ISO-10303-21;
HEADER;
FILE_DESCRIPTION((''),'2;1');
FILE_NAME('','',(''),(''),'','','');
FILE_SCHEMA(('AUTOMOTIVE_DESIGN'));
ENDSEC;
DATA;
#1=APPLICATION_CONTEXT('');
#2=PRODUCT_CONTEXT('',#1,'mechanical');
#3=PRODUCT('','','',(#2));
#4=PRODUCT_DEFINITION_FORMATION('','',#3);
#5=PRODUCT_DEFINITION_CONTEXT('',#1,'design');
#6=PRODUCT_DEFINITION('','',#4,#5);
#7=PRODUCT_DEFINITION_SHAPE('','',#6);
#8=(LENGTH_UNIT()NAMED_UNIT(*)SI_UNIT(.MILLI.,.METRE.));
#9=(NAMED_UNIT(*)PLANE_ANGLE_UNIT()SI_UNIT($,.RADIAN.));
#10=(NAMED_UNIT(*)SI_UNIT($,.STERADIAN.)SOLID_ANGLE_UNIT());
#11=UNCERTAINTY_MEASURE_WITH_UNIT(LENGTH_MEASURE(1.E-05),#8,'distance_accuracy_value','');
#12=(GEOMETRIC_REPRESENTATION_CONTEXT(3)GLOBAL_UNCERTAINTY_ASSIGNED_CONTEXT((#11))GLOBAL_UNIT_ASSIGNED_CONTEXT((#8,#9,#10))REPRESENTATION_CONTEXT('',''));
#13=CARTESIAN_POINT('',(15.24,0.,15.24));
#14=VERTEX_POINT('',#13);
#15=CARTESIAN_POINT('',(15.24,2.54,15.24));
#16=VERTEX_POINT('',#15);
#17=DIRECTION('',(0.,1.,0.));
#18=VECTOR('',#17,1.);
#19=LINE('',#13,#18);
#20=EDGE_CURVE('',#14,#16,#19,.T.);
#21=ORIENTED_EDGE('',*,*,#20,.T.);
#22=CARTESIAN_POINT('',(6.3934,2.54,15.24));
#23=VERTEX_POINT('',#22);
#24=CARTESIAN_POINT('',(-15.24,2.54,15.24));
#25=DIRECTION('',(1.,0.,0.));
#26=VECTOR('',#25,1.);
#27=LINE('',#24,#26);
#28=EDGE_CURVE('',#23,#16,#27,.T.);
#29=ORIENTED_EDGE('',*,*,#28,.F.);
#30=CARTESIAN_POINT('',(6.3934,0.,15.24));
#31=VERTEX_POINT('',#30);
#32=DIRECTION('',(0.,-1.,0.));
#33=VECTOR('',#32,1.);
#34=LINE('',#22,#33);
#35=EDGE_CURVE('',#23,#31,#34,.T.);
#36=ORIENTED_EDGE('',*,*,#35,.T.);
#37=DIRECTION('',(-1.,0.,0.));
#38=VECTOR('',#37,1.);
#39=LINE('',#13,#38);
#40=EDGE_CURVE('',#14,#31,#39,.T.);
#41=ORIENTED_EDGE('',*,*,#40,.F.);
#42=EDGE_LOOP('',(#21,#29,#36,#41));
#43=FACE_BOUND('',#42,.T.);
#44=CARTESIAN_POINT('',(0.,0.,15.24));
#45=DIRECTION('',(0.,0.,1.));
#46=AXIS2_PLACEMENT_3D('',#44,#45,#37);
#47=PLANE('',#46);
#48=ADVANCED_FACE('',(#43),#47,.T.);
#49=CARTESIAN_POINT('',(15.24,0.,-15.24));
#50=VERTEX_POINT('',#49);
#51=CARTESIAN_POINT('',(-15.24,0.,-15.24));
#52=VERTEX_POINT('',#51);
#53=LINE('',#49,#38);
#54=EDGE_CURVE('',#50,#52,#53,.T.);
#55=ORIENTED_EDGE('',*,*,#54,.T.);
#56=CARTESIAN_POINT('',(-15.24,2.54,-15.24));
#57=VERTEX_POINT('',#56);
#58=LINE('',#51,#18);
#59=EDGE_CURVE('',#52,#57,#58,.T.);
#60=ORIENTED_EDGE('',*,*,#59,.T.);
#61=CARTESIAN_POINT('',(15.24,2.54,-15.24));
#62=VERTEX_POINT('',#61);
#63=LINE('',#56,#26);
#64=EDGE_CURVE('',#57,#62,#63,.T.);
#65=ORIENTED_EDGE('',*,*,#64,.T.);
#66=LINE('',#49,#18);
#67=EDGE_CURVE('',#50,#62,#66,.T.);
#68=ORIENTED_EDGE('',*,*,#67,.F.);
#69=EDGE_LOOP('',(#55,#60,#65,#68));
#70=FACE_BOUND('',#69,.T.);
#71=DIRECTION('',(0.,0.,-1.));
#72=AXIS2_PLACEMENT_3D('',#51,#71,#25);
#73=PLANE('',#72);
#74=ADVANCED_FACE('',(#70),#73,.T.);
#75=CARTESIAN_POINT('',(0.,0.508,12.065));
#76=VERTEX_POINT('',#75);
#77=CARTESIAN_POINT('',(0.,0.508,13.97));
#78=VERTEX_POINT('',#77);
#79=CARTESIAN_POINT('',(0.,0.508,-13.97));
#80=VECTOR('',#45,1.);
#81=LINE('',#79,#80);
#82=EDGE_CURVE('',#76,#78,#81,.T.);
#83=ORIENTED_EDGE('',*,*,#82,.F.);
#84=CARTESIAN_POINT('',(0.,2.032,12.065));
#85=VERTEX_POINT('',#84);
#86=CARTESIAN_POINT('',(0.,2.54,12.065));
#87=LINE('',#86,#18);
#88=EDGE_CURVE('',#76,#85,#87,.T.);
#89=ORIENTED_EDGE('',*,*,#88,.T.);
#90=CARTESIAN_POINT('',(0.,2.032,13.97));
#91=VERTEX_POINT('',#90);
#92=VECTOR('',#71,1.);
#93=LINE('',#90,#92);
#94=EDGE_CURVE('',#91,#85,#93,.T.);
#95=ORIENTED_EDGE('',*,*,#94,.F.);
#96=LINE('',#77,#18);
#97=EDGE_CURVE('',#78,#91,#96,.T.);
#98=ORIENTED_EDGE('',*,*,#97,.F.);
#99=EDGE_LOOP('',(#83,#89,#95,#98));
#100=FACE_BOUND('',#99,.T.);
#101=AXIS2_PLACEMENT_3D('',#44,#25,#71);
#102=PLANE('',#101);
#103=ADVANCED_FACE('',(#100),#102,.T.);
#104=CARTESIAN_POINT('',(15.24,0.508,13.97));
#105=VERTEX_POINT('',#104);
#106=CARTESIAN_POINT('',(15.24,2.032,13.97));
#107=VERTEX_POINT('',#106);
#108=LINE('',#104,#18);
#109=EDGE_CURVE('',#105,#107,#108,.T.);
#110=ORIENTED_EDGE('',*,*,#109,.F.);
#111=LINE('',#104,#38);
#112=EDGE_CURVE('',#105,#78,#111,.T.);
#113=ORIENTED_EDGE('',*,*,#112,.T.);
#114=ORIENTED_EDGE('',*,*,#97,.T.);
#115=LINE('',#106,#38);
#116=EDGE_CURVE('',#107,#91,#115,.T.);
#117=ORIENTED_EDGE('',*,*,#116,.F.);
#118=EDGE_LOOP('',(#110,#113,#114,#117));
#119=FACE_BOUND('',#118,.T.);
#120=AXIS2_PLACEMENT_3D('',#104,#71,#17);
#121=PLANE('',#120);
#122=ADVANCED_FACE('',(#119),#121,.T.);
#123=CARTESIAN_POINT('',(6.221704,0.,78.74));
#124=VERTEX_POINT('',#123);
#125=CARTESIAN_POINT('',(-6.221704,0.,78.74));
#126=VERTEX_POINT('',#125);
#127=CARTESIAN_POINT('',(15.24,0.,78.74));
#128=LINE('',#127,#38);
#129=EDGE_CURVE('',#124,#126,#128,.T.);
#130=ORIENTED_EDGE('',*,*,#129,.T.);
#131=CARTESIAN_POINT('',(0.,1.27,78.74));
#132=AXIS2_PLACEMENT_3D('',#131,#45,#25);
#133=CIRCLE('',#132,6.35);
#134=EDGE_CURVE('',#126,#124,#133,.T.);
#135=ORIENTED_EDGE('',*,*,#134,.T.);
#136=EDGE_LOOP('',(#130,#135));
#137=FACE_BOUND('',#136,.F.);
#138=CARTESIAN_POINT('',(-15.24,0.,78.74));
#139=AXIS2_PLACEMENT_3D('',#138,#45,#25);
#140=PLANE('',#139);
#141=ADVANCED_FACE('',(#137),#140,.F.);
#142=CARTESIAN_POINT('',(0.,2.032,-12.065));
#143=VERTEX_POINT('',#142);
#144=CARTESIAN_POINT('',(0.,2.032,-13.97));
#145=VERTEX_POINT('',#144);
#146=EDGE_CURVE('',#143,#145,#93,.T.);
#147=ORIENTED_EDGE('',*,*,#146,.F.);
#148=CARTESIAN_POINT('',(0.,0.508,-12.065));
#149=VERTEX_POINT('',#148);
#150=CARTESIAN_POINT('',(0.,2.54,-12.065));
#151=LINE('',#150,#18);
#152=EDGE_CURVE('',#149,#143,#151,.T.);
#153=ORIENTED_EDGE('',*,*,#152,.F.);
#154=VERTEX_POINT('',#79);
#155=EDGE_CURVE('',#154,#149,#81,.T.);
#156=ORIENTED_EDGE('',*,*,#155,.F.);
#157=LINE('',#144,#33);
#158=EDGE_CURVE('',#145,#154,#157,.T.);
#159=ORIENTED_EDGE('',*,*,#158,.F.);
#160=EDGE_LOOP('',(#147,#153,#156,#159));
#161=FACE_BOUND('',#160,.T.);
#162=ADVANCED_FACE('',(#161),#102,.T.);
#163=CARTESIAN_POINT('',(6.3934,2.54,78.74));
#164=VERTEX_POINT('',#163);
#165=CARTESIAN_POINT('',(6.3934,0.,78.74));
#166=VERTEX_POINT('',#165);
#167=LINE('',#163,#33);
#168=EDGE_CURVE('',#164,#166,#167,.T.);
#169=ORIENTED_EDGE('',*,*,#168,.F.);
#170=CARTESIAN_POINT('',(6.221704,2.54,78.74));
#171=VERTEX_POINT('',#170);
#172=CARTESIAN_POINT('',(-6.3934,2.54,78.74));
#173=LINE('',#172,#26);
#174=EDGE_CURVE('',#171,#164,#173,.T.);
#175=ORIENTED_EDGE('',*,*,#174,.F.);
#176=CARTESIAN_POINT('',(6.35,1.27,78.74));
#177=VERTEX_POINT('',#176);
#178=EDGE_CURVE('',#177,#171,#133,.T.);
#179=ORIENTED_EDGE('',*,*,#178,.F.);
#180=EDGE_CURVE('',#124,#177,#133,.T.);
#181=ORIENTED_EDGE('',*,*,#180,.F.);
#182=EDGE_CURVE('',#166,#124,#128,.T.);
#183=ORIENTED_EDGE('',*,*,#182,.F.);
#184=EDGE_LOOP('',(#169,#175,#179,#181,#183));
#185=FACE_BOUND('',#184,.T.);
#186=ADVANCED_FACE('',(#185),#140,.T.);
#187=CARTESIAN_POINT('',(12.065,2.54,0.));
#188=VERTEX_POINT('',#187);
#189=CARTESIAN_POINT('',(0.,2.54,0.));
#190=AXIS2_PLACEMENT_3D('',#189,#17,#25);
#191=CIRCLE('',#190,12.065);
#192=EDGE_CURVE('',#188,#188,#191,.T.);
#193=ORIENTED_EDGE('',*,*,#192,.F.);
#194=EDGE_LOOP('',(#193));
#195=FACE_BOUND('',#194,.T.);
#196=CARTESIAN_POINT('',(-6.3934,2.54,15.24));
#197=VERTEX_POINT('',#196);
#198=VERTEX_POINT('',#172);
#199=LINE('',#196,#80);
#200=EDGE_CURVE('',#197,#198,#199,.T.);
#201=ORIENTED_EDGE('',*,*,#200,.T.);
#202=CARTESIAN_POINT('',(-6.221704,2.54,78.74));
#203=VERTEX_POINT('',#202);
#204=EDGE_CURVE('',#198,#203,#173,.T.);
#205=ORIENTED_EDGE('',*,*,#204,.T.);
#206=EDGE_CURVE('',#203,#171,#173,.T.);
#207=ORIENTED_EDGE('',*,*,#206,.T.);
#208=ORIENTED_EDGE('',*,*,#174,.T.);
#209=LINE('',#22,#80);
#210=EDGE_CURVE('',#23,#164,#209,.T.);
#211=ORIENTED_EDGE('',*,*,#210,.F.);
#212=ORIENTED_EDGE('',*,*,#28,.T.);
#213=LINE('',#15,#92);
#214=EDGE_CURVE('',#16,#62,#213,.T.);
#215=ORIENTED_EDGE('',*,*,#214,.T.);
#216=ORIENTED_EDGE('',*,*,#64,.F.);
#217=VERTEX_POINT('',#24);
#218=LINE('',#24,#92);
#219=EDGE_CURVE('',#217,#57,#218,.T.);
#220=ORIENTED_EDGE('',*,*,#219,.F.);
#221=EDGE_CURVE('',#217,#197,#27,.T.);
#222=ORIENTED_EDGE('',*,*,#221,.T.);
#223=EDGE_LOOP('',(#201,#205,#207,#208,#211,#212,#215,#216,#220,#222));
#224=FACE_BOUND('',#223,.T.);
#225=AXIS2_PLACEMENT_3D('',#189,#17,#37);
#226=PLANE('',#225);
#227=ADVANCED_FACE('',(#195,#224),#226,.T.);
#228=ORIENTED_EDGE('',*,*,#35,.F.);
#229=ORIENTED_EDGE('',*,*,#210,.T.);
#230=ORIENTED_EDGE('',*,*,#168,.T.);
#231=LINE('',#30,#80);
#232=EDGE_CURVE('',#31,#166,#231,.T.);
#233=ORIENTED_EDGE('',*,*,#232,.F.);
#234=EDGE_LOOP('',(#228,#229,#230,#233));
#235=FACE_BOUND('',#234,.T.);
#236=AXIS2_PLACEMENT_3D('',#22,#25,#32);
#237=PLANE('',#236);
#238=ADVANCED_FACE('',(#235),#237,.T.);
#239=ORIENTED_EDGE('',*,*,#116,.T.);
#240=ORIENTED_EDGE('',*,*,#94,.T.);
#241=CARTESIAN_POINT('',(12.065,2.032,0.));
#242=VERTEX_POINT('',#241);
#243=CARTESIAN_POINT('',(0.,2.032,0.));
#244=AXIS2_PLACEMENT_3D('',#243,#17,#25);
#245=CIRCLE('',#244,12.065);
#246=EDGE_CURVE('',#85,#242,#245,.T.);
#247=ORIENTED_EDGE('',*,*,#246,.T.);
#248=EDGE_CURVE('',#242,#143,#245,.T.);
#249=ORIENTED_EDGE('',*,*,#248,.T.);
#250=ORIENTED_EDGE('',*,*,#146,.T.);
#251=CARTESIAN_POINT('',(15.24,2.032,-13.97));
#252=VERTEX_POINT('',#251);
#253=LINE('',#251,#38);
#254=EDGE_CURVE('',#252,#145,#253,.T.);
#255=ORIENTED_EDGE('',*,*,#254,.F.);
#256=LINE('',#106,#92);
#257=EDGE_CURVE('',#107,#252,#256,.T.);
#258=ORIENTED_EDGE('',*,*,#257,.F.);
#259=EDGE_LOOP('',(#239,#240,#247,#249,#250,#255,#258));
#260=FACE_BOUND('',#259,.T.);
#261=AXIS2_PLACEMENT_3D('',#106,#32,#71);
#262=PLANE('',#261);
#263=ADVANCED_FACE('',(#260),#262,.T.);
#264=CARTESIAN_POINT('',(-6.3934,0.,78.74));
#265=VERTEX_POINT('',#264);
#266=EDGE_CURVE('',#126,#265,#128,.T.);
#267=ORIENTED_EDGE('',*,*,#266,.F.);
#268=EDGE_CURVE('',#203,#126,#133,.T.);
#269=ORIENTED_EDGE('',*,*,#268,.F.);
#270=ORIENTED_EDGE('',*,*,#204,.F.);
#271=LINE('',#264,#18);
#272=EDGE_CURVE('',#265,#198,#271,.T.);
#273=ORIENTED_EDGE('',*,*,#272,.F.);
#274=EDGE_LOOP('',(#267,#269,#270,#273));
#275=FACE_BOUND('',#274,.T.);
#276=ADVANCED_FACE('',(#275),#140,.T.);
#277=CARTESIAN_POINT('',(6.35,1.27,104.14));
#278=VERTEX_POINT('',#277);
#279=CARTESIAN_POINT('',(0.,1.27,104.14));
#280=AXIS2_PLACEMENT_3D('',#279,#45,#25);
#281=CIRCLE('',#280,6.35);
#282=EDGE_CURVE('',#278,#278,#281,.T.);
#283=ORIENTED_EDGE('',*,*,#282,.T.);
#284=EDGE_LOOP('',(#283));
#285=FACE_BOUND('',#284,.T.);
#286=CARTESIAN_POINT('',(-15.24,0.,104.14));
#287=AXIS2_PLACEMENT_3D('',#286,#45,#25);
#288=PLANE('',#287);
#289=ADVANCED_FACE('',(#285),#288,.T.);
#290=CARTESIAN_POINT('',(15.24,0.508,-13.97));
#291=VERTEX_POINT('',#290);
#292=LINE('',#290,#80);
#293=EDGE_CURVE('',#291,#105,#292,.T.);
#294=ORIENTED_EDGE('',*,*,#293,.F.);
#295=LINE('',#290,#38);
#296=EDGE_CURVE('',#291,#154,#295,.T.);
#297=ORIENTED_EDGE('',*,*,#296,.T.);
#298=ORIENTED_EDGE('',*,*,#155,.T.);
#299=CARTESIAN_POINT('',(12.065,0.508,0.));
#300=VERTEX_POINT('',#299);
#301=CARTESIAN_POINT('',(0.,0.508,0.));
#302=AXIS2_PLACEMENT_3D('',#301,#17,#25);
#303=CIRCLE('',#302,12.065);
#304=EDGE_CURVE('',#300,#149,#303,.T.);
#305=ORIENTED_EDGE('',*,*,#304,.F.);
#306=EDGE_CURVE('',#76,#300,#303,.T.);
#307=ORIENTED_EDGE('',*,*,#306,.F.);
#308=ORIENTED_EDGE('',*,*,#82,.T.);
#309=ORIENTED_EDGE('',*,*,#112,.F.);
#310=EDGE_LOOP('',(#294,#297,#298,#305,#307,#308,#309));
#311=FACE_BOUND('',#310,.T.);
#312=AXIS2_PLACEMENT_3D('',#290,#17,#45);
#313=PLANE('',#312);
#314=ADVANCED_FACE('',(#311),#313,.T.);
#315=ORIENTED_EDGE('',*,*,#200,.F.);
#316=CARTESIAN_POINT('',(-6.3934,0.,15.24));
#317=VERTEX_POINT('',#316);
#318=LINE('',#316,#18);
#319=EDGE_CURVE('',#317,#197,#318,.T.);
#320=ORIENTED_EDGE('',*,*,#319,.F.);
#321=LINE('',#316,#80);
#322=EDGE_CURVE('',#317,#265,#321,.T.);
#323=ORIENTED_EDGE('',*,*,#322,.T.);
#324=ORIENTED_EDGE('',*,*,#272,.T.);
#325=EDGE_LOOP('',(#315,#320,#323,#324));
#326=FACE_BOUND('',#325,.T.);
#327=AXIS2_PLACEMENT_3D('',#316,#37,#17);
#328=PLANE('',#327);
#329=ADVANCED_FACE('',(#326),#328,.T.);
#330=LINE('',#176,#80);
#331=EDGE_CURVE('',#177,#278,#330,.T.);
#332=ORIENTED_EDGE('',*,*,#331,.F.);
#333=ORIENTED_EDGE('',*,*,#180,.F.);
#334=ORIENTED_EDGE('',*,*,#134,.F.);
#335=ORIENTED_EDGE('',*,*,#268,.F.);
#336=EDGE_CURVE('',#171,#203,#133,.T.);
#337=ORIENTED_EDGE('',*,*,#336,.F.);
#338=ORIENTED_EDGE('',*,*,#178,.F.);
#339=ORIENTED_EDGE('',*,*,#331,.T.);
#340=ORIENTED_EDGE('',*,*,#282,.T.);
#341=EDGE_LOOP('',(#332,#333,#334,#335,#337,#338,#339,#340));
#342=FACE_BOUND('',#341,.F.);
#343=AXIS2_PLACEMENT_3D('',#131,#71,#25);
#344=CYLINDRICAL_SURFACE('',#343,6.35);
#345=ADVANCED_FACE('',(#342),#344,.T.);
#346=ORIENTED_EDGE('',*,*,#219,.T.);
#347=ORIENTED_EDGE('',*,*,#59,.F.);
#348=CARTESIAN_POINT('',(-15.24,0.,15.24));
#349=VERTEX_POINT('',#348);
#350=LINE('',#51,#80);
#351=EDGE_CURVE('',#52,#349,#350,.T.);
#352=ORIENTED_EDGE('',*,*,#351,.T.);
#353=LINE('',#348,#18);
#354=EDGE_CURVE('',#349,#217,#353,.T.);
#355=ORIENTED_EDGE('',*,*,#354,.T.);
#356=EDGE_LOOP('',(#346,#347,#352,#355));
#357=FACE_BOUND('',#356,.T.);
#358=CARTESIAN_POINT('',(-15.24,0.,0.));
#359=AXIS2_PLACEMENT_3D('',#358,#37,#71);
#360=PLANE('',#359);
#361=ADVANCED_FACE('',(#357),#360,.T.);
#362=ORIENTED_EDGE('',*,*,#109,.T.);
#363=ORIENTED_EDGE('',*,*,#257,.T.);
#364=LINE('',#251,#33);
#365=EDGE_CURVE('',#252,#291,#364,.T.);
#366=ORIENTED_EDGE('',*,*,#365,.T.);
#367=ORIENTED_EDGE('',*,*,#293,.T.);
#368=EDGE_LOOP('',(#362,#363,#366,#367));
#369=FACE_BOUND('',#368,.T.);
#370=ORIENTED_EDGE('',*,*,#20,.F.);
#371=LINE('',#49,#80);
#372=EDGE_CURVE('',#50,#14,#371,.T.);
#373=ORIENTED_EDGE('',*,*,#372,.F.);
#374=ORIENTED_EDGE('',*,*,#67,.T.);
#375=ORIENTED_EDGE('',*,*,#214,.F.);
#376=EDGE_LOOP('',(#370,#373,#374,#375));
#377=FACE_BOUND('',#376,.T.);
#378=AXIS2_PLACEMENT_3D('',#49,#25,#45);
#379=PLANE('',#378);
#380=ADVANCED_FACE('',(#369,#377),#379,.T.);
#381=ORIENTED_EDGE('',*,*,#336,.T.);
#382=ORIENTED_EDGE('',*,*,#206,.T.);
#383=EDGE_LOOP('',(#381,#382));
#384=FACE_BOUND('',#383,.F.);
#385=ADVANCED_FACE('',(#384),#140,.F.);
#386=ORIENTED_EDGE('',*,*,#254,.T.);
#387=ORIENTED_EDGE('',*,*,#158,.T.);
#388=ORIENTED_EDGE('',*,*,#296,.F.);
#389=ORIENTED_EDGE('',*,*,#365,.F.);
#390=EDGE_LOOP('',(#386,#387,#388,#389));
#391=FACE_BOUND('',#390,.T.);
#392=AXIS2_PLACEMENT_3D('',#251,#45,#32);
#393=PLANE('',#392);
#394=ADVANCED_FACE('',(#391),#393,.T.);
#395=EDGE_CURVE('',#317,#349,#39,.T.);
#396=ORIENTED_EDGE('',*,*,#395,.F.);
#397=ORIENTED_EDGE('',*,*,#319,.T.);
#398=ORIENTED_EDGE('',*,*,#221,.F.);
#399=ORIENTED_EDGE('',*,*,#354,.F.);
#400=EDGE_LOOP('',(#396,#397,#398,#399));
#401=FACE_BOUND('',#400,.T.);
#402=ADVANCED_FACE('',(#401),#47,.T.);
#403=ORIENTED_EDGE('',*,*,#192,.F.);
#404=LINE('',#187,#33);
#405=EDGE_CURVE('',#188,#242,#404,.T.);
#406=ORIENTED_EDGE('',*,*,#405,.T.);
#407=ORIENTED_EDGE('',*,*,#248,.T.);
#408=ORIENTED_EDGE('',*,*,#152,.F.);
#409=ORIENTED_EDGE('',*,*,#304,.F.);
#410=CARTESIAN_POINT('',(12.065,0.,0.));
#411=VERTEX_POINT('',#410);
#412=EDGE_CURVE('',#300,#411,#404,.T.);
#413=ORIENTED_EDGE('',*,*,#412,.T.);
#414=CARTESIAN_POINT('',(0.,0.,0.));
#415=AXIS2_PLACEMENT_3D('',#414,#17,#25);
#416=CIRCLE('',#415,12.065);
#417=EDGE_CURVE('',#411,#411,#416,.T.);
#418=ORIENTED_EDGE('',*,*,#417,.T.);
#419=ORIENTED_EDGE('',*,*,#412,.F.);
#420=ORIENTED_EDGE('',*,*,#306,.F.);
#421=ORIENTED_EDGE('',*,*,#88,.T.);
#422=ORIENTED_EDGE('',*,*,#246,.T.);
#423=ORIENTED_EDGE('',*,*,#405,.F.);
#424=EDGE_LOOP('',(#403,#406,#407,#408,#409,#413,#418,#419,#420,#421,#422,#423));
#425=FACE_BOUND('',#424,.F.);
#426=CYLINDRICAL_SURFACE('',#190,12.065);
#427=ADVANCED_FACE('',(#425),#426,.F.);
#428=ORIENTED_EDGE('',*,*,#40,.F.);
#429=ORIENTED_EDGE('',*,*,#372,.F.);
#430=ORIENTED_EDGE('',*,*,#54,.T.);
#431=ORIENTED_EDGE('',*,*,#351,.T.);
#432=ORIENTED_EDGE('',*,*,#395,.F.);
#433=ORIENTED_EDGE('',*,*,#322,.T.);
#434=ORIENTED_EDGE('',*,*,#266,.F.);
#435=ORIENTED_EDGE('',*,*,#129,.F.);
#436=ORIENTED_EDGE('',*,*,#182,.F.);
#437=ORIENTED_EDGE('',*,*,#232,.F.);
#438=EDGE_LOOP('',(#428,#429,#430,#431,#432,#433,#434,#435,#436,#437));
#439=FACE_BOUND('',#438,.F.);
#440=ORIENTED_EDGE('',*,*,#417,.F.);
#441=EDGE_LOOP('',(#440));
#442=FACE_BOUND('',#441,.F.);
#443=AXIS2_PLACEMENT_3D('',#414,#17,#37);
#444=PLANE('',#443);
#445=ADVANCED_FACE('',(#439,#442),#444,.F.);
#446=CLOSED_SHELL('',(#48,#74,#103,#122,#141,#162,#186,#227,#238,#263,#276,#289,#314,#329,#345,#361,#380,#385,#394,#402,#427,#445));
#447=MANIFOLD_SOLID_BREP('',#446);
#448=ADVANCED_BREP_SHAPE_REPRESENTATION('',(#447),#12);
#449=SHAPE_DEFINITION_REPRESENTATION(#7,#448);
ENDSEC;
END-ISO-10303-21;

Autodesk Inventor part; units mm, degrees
ref_plane "YZ Plane" through (0, 0, 0) normal (1, 0, 0) x (0, 1, 0)
ref_plane "XZ Plane" through (0, 0, 0) normal (0, 1, 0) x (-1, 0, 0)
ref_plane "XY Plane" through (0, 0, 0) normal (0, 0, 1) x (1, 0, 0)
sketch "Sketch1" plane through (0, 0, 0) normal (0, 1, 0) x (-1, 0, 0)
  line L0 (15.24, -15.24) -> (-15.24, -15.24)
  line L1 (-15.24, -15.24) -> (-15.24, 15.24)
  line L2 (-15.24, 15.24) -> (15.24, 15.24)
  line L3 (15.24, 15.24) -> (15.24, -15.24)
  line L4 (15.24, -15.24) -> (-15.24, 15.24) construction
  line L5 (-15.24, -15.24) -> (15.24, 15.24) construction
  circle A0 centre (0, 0) radius 15.24
  dimension "d0" = 30.48
  dimension "d3" = 30.48
extrude "Extrusion1" add sketch "Sketch1" along normal blind 2.54
sketch "Sketch2" plane through (-15.24, 0, 15.24) normal (0, 0, 1) x (1, 0, 0)
  line L0 (30.48, 0) -> (0, 0) projected
  line L1 (8.8466, 2.54) -> (21.6334, 2.54)
  line L2 (21.6334, 2.54) -> (21.6334, 0)
  line L3 (21.6334, 0) -> (8.8466, 0)
  line L4 (8.8466, 0) -> (8.8466, 2.54)
  line L5 (8.8466, 2.54) -> (21.6334, 0) construction
  line L6 (21.6334, 2.54) -> (8.8466, 0) construction
  point P0 (15.24, 0)
  point P1 (15.24, 1.27)
extrude "Extrusion2" add sketch "Sketch2" along normal blind 63.5
sketch "Sketch5" plane through (-15.24, 0, 78.74) normal (0, 0, 1) x (1, 0, 0)
  circle A0 centre (15.24, 1.27) radius 6.35
  point P0 (15.24, 0)
  dimension "d14" = 12.7
extrude "Extrusion5" add sketch "Sketch5" along normal blind 25.4
sketch "Sketch7" plane through (15.24, 0, 15.24) normal (1, 0, 0) x (0, 0, -1)
  line L0 (1.27, 2.032) -> (29.21, 2.032)
  line L1 (29.21, 2.032) -> (29.21, 0.508)
  line L2 (29.21, 0.508) -> (1.27, 0.508)
  line L3 (1.27, 0.508) -> (1.27, 2.032)
  line L4 (1.27, 2.032) -> (29.21, 0.508) construction
  line L5 (29.21, 2.032) -> (1.27, 0.508) construction
  point P0 (15.24, 0)
  point P1 (15.24, 1.27)
  dimension "d35" = 27.94
  dimension "d36" = 1.524
extrude "Extrusion7" cut sketch "Sketch7" against normal blind 15.24
sketch "Sketch8" plane through (0, 2.54, 0) normal (0, 1, 0) x (1, 0, 0)
  circle A0 centre (0, 0) radius 12.065
  dimension "d39" = 24.13
extrude "Extrusion8" cut sketch "Sketch8" against normal blind 31.75
sketch "Sketch9" plane through (0, 2.54, 0) normal (0, 1, 0) x (1, 0, 0)
  circle A0 centre (0, 0) radius 12.065 projected
  line L0 (15.24, 15.24) -> (-15.24, 15.24) projected
  line L1 (-15.24, 15.24) -> (-15.24, -15.24) projected
  line L2 (-15.24, -15.24) -> (-6.3934, -15.24) projected
  line L3 (-6.3934, -15.24) -> (-6.3934, -78.74) projected
  line L4 (-6.2217, -78.74) -> (-6.3934, -78.74) projected
  line L5 (6.2217, -78.74) -> (-6.2217, -78.74) projected
  line L6 (6.3934, -78.74) -> (6.2217, -78.74) projected
  line L7 (6.3934, -15.24) -> (6.3934, -78.74) projected
  line L8 (6.3934, -15.24) -> (15.24, -15.24) projected
  line L9 (15.24, -15.24) -> (15.24, 15.24) projected
  circle A1 centre (0, 0) radius 13.97
  circle A2 centre (0, 0) radius 12.065 projected
  line L10 (-6.2217, -78.74) -> (6.2217, -78.74) projected
  line L11 (6.2217, -78.74) -> (6.2217, -104.14) projected
  line L12 (6.2217, -104.14) -> (-6.2217, -104.14) projected
  line L13 (-6.2217, -104.14) -> (-6.2217, -78.74) projected
  line L14 (-6.2217, -78.74) -> (-6.3934, -78.74) projected
  line L15 (-6.3934, -78.74) -> (-6.3934, -15.24) projected
  line L16 (-6.3934, -15.24) -> (-15.24, -15.24) projected
  line L17 (-15.24, -15.24) -> (-15.24, 15.24) projected
  line L18 (-15.24, 15.24) -> (15.24, 15.24) projected
  line L19 (15.24, 15.24) -> (15.24, -15.24) projected
  line L20 (15.24, -15.24) -> (6.3934, -15.24) projected
  line L21 (6.3934, -15.24) -> (6.3934, -78.74) projected
  line L22 (6.3934, -78.74) -> (6.2217, -78.74) projected
  dimension "d42" = 27.94
properties part number "Silicon Frame v2"
